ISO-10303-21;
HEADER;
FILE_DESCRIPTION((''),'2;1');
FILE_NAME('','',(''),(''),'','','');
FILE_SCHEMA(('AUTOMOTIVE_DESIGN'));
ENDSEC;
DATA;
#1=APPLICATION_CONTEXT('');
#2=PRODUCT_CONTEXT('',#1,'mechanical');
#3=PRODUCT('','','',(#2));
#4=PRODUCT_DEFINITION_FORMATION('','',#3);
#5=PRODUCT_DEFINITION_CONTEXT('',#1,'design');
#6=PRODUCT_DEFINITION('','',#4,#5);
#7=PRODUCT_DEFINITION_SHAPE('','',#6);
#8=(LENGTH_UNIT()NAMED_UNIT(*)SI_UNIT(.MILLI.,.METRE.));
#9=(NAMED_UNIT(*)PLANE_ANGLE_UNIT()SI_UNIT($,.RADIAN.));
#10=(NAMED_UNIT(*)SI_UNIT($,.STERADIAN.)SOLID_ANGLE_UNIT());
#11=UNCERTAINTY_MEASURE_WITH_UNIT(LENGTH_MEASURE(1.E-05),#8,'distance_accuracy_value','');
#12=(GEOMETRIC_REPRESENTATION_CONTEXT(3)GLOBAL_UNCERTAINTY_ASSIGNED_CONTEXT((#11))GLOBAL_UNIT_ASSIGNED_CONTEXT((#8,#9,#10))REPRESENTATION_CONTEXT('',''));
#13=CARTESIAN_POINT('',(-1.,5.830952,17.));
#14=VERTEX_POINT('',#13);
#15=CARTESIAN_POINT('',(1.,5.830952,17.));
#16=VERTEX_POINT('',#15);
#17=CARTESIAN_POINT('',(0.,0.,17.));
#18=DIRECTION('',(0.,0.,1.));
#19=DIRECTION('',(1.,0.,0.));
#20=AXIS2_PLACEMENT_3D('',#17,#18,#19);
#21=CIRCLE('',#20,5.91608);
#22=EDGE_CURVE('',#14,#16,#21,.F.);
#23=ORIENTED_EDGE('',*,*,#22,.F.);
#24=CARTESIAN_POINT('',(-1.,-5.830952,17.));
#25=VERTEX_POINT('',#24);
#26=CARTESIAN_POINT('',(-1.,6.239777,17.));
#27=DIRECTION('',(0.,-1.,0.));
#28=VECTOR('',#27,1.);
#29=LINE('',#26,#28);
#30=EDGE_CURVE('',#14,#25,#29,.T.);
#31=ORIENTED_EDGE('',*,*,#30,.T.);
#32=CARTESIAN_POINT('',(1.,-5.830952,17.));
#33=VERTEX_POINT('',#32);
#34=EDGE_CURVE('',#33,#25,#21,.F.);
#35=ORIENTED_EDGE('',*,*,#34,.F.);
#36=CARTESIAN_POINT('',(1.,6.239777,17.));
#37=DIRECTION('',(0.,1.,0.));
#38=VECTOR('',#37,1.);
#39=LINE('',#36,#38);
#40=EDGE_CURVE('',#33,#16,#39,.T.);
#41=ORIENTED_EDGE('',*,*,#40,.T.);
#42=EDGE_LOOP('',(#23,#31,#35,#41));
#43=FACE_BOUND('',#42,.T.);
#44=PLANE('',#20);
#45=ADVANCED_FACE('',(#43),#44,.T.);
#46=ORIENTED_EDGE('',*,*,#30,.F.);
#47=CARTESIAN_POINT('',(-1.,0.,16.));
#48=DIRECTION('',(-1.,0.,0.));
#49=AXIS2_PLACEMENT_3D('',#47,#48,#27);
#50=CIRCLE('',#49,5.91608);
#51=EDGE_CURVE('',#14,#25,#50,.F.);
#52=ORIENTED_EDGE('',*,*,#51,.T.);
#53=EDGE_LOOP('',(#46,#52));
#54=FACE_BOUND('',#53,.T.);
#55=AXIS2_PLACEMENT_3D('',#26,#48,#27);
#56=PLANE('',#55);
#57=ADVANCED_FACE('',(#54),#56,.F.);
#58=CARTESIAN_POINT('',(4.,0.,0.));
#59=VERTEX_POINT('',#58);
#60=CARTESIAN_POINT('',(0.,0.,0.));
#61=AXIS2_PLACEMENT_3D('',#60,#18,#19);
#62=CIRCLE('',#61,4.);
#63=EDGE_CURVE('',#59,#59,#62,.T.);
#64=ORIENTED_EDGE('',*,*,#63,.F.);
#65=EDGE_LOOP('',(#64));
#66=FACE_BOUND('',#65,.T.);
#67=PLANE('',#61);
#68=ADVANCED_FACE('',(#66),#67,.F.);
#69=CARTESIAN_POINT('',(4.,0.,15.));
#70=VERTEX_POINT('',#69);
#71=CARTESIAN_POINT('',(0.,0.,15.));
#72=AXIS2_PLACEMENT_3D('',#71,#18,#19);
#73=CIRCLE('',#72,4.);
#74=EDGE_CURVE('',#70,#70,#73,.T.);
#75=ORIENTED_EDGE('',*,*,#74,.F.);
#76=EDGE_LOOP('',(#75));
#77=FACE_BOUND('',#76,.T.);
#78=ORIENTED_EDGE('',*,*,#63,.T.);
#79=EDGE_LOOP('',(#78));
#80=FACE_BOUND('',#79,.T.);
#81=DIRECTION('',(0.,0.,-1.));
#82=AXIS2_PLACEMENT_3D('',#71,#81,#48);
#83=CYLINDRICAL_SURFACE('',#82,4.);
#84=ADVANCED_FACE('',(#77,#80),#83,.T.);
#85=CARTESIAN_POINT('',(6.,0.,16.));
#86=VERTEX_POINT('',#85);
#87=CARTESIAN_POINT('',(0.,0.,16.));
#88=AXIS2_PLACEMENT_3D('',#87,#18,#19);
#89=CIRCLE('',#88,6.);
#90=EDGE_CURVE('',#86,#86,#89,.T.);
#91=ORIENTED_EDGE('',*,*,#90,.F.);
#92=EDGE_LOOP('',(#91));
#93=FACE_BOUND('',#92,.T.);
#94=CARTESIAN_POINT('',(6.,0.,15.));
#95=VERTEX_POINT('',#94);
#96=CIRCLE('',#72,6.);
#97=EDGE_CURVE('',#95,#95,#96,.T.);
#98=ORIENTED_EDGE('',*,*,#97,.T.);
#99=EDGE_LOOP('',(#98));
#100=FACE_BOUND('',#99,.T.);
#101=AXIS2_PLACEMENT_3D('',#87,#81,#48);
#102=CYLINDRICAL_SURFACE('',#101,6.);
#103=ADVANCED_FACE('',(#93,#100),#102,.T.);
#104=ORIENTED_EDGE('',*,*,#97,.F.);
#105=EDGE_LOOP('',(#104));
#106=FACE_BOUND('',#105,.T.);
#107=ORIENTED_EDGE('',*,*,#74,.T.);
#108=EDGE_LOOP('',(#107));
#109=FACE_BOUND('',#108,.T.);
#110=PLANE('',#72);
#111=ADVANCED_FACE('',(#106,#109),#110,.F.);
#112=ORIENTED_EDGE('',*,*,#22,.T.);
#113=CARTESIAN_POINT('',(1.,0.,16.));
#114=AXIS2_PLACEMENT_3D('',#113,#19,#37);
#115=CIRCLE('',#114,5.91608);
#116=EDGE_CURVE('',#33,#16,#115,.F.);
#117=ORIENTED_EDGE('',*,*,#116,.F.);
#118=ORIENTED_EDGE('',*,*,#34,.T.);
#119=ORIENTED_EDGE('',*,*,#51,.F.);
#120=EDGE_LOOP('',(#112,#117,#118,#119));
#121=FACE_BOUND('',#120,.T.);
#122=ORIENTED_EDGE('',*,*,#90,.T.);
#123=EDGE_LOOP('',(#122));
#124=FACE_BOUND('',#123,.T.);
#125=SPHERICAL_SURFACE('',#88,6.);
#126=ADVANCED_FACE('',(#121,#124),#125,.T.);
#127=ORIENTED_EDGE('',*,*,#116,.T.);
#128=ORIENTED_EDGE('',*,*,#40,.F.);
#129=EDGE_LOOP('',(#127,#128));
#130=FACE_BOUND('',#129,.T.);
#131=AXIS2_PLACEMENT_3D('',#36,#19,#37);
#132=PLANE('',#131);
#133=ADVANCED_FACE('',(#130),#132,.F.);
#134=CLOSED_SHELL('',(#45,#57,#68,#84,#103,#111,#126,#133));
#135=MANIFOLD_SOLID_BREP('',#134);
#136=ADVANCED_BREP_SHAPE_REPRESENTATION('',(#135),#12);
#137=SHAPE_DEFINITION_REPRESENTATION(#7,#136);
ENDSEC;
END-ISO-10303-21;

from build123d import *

# Parameters (mm, degrees)
SKETCH1_R           = 4
BOSS_EXTRUDE1_DEPTH = 15
SKETCH2_R           = 6
BOSS_EXTRUDE2_DEPTH = 1
DOME1_FACE_RADIUS   = 6
DOME1_HEIGHT        = 6
SKETCH3_W           = 2
SKETCH3_H           = 12.932996947
CUT_EXTRUDE2_DEPTH  = 5


with BuildPart() as part:
    # Sketch1 → Boss-Extrude1 (new body)
    with BuildSketch(Plane.XY):
        Circle(SKETCH1_R)
    extrude(amount=BOSS_EXTRUDE1_DEPTH)

    # Sketch2 → Boss-Extrude2 (add)
    with BuildSketch(Plane.XY.offset(15)):
        Circle(SKETCH2_R)
    extrude(amount=BOSS_EXTRUDE2_DEPTH)

    # Dome1: a dome of height H over a round flat face of radius A is a cap of a sphere of radius (A * A + H * H) / (2 * H)
    dome1_r = (DOME1_FACE_RADIUS * DOME1_FACE_RADIUS + DOME1_HEIGHT * DOME1_HEIGHT) / (2 * DOME1_HEIGHT)
    dome1_base = Plane((0, 0, 16), z_dir=(0, 0, 1))
    with Locations(dome1_base.offset(DOME1_HEIGHT - dome1_r)):
        dome1_ball = Sphere(dome1_r, mode=Mode.PRIVATE)
    add(split(dome1_ball, bisect_by=dome1_base, keep=Keep.TOP, mode=Mode.PRIVATE))

    # Sketch3 → Cut-Extrude2 (cut)
    with BuildSketch(Plane.XY.offset(22)):
        with Locations((0, -0.226721745)):
            Rectangle(SKETCH3_W, SKETCH3_H)
    extrude(amount=-CUT_EXTRUDE2_DEPTH, mode=Mode.SUBTRACT)


solid = part.part
